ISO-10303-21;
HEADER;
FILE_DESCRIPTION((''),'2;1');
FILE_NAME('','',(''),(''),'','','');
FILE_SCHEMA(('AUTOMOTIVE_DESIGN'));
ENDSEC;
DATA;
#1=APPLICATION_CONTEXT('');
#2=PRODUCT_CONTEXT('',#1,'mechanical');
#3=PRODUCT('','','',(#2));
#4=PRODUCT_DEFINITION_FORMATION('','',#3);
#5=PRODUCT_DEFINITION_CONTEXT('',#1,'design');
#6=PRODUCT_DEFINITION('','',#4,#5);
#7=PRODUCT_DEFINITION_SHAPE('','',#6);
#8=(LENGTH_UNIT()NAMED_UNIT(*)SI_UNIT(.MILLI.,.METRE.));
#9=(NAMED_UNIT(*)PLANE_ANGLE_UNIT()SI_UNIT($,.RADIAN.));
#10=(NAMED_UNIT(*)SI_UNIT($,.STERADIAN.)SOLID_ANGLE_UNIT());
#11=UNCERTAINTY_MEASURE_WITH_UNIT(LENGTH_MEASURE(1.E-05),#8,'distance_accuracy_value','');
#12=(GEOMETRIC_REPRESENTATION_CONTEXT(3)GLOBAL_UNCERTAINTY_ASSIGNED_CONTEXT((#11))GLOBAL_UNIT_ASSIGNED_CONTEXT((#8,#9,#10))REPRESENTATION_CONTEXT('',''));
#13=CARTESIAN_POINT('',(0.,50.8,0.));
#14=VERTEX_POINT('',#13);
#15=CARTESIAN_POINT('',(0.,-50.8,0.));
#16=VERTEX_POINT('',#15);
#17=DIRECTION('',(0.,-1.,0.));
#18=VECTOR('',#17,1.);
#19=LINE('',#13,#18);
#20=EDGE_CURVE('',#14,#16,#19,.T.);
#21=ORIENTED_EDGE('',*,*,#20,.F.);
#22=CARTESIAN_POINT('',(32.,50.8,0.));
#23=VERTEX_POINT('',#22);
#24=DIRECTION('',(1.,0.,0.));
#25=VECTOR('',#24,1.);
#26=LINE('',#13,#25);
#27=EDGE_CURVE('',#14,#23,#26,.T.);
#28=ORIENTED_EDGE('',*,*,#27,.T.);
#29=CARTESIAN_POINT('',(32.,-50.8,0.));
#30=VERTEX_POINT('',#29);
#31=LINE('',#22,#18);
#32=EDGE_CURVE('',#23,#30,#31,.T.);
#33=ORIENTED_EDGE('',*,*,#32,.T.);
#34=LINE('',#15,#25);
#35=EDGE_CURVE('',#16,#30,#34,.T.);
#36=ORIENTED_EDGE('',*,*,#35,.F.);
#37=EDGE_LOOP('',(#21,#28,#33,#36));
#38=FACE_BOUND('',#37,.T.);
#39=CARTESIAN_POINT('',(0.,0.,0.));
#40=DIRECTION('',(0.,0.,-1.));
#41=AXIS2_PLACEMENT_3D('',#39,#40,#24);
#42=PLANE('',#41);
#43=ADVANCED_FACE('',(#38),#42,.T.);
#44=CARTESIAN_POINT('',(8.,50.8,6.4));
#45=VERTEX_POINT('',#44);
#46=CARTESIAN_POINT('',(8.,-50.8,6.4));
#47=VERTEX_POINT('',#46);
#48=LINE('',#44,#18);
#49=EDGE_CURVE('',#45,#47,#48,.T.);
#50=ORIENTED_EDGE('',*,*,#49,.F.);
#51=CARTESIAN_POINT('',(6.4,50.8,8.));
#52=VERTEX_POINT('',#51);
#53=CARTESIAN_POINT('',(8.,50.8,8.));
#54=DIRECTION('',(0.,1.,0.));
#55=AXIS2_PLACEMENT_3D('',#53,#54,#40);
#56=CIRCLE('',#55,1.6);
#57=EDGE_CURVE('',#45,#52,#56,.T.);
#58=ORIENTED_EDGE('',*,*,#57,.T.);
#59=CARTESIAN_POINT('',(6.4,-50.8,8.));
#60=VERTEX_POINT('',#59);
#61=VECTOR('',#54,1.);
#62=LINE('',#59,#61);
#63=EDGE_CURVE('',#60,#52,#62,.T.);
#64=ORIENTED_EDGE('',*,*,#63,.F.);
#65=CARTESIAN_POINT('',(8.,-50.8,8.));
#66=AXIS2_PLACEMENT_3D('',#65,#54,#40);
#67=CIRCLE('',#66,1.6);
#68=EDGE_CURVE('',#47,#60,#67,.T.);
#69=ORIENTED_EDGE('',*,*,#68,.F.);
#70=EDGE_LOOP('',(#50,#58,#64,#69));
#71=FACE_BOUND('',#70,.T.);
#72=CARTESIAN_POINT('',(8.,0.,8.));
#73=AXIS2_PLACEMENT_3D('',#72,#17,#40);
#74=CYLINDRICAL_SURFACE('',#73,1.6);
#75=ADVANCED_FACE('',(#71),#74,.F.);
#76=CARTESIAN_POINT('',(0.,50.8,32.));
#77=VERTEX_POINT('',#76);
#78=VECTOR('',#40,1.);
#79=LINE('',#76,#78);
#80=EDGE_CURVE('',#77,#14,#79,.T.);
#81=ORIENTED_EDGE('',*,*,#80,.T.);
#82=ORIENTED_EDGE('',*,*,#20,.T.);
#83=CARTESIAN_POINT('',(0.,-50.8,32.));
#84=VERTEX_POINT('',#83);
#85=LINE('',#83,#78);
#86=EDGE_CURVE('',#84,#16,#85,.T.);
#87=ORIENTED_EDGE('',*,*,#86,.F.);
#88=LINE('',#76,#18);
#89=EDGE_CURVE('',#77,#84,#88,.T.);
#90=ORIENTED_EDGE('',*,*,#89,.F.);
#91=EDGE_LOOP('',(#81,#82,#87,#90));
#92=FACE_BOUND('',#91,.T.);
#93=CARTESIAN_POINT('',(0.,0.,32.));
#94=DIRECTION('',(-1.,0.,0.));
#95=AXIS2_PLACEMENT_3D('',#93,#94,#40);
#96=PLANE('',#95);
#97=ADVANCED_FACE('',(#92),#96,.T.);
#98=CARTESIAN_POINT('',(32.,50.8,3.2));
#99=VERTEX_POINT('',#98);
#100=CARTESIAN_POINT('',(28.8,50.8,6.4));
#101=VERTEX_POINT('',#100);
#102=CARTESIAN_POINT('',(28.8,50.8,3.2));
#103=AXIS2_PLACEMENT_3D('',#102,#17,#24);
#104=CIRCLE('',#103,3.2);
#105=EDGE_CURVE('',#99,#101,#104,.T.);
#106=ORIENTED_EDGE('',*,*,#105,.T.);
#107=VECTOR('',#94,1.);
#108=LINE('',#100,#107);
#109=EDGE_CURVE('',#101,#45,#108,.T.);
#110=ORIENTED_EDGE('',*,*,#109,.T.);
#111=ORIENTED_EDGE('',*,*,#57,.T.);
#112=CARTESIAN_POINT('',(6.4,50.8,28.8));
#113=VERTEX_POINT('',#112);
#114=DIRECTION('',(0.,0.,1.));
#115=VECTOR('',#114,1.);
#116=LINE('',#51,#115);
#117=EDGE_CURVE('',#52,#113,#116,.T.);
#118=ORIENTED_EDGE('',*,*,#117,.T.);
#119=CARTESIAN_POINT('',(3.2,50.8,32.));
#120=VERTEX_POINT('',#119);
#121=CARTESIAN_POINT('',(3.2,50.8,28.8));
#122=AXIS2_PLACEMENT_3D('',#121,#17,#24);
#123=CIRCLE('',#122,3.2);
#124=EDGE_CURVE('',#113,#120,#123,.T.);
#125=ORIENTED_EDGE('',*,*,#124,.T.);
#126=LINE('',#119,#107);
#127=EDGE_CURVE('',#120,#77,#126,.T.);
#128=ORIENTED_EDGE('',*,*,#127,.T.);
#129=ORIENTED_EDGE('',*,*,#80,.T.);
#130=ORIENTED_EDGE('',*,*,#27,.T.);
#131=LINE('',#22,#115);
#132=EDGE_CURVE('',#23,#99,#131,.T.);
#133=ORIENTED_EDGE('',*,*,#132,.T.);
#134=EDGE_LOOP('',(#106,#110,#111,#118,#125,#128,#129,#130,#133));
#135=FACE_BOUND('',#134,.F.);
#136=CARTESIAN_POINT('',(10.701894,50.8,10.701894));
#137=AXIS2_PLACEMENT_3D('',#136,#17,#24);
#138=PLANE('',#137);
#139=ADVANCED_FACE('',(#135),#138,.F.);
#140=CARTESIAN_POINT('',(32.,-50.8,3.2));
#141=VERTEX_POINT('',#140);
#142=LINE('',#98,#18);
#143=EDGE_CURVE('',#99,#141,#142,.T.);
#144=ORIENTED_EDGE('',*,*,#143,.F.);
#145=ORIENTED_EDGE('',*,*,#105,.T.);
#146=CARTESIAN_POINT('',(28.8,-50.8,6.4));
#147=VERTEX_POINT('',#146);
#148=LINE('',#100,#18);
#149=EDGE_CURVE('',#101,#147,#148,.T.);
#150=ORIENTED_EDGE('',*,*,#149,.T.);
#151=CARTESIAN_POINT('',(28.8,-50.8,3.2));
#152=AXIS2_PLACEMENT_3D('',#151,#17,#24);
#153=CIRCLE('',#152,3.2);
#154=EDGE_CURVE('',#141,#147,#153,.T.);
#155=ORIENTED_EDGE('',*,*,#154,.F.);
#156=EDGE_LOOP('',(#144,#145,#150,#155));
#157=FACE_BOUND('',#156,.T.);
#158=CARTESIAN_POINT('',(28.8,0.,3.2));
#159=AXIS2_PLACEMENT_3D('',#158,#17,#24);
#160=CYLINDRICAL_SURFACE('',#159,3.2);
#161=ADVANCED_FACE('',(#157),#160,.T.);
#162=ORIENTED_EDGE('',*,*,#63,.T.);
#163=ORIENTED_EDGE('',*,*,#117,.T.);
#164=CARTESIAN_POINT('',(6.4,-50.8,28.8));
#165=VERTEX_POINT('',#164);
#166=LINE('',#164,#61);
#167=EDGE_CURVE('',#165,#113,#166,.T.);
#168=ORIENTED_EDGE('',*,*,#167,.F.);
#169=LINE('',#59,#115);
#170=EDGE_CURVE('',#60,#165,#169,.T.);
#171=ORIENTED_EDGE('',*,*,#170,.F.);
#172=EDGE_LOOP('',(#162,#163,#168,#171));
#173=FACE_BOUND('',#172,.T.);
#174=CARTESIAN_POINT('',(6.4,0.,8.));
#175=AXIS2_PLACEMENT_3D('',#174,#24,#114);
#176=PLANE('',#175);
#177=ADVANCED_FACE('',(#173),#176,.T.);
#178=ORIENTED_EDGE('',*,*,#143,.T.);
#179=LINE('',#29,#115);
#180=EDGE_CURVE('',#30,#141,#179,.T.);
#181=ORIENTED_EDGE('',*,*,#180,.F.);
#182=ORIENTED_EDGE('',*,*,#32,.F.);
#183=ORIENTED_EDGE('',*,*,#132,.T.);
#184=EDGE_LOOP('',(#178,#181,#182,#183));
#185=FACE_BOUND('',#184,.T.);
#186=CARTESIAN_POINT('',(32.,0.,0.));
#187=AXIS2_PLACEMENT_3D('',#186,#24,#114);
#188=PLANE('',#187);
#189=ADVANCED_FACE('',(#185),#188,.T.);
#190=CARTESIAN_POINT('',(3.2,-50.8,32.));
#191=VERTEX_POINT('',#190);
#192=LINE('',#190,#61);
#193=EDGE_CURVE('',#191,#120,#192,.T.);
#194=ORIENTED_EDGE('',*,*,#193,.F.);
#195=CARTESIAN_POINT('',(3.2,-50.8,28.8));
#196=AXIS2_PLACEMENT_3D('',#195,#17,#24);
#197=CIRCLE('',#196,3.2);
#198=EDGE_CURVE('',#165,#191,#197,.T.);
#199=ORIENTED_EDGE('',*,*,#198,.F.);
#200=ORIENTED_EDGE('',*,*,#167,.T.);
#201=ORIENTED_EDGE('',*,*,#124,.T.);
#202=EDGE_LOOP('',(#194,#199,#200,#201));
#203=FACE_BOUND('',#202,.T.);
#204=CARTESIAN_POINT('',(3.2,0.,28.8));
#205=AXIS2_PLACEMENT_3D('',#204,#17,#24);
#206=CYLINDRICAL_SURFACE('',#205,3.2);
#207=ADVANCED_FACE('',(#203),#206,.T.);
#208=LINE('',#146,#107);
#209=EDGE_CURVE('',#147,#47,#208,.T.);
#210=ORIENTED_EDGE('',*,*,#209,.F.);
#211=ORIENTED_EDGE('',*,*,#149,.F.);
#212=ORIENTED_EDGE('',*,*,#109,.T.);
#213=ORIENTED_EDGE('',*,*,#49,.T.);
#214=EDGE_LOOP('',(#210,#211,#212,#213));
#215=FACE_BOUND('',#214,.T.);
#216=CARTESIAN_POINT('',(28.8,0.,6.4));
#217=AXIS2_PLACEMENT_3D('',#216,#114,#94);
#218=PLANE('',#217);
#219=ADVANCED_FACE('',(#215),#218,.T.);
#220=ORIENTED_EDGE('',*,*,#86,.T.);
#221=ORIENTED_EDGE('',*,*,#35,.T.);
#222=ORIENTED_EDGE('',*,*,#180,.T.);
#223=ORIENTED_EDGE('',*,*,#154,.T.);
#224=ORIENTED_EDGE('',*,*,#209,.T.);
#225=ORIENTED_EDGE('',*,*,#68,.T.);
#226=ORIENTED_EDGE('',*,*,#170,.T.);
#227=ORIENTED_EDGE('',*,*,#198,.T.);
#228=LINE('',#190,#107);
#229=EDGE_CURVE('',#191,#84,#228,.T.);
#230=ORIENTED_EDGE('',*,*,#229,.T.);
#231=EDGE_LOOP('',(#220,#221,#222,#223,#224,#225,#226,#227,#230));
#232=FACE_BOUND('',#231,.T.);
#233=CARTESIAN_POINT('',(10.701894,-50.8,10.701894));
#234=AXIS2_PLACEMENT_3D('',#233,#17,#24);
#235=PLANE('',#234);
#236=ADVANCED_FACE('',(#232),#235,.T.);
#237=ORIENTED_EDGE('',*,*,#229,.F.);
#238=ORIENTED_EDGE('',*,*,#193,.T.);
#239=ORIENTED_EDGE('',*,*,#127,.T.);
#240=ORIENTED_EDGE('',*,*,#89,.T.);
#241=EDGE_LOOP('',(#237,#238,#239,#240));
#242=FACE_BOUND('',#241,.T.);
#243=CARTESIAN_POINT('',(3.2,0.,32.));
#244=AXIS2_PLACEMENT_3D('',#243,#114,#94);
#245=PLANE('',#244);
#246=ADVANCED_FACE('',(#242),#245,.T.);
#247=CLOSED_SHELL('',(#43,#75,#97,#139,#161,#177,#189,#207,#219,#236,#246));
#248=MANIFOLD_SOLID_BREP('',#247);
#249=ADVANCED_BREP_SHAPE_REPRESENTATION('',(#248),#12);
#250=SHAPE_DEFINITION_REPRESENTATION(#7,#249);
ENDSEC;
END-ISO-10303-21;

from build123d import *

# Parameters (mm, degrees)
F1_DEPTH = 50.8


with BuildPart() as f1:
    # F0 (on Front) → F1 (new body, symmetric)
    with BuildSketch(Plane.XZ):
        with BuildLine():
            Line((3.1999999997, 32), (0, 32))
            Line((0, 32), (0, 0))
            Line((0, 0), (31.9999999997, 0))
            Line((31.9999999997, 0), (31.9999999997, 3.2))
            ThreePointArc((31.9999999997, 3.2), (31.0627416995, 5.4627416998), (28.7999999997, 6.4))
            Line((28.7999999997, 6.4), (7.9999999997, 6.4))
            ThreePointArc((7.9999999997, 6.4), (6.8686291498, 6.8686291501), (6.3999999997, 8))
            Line((6.3999999997, 8), (6.3999999997, 28.8))
            ThreePointArc((6.3999999997, 28.8), (5.4627416995, 31.0627416998), (3.1999999997, 32))
        make_face()
    extrude(amount=F1_DEPTH, both=True)


solid = f1.part
